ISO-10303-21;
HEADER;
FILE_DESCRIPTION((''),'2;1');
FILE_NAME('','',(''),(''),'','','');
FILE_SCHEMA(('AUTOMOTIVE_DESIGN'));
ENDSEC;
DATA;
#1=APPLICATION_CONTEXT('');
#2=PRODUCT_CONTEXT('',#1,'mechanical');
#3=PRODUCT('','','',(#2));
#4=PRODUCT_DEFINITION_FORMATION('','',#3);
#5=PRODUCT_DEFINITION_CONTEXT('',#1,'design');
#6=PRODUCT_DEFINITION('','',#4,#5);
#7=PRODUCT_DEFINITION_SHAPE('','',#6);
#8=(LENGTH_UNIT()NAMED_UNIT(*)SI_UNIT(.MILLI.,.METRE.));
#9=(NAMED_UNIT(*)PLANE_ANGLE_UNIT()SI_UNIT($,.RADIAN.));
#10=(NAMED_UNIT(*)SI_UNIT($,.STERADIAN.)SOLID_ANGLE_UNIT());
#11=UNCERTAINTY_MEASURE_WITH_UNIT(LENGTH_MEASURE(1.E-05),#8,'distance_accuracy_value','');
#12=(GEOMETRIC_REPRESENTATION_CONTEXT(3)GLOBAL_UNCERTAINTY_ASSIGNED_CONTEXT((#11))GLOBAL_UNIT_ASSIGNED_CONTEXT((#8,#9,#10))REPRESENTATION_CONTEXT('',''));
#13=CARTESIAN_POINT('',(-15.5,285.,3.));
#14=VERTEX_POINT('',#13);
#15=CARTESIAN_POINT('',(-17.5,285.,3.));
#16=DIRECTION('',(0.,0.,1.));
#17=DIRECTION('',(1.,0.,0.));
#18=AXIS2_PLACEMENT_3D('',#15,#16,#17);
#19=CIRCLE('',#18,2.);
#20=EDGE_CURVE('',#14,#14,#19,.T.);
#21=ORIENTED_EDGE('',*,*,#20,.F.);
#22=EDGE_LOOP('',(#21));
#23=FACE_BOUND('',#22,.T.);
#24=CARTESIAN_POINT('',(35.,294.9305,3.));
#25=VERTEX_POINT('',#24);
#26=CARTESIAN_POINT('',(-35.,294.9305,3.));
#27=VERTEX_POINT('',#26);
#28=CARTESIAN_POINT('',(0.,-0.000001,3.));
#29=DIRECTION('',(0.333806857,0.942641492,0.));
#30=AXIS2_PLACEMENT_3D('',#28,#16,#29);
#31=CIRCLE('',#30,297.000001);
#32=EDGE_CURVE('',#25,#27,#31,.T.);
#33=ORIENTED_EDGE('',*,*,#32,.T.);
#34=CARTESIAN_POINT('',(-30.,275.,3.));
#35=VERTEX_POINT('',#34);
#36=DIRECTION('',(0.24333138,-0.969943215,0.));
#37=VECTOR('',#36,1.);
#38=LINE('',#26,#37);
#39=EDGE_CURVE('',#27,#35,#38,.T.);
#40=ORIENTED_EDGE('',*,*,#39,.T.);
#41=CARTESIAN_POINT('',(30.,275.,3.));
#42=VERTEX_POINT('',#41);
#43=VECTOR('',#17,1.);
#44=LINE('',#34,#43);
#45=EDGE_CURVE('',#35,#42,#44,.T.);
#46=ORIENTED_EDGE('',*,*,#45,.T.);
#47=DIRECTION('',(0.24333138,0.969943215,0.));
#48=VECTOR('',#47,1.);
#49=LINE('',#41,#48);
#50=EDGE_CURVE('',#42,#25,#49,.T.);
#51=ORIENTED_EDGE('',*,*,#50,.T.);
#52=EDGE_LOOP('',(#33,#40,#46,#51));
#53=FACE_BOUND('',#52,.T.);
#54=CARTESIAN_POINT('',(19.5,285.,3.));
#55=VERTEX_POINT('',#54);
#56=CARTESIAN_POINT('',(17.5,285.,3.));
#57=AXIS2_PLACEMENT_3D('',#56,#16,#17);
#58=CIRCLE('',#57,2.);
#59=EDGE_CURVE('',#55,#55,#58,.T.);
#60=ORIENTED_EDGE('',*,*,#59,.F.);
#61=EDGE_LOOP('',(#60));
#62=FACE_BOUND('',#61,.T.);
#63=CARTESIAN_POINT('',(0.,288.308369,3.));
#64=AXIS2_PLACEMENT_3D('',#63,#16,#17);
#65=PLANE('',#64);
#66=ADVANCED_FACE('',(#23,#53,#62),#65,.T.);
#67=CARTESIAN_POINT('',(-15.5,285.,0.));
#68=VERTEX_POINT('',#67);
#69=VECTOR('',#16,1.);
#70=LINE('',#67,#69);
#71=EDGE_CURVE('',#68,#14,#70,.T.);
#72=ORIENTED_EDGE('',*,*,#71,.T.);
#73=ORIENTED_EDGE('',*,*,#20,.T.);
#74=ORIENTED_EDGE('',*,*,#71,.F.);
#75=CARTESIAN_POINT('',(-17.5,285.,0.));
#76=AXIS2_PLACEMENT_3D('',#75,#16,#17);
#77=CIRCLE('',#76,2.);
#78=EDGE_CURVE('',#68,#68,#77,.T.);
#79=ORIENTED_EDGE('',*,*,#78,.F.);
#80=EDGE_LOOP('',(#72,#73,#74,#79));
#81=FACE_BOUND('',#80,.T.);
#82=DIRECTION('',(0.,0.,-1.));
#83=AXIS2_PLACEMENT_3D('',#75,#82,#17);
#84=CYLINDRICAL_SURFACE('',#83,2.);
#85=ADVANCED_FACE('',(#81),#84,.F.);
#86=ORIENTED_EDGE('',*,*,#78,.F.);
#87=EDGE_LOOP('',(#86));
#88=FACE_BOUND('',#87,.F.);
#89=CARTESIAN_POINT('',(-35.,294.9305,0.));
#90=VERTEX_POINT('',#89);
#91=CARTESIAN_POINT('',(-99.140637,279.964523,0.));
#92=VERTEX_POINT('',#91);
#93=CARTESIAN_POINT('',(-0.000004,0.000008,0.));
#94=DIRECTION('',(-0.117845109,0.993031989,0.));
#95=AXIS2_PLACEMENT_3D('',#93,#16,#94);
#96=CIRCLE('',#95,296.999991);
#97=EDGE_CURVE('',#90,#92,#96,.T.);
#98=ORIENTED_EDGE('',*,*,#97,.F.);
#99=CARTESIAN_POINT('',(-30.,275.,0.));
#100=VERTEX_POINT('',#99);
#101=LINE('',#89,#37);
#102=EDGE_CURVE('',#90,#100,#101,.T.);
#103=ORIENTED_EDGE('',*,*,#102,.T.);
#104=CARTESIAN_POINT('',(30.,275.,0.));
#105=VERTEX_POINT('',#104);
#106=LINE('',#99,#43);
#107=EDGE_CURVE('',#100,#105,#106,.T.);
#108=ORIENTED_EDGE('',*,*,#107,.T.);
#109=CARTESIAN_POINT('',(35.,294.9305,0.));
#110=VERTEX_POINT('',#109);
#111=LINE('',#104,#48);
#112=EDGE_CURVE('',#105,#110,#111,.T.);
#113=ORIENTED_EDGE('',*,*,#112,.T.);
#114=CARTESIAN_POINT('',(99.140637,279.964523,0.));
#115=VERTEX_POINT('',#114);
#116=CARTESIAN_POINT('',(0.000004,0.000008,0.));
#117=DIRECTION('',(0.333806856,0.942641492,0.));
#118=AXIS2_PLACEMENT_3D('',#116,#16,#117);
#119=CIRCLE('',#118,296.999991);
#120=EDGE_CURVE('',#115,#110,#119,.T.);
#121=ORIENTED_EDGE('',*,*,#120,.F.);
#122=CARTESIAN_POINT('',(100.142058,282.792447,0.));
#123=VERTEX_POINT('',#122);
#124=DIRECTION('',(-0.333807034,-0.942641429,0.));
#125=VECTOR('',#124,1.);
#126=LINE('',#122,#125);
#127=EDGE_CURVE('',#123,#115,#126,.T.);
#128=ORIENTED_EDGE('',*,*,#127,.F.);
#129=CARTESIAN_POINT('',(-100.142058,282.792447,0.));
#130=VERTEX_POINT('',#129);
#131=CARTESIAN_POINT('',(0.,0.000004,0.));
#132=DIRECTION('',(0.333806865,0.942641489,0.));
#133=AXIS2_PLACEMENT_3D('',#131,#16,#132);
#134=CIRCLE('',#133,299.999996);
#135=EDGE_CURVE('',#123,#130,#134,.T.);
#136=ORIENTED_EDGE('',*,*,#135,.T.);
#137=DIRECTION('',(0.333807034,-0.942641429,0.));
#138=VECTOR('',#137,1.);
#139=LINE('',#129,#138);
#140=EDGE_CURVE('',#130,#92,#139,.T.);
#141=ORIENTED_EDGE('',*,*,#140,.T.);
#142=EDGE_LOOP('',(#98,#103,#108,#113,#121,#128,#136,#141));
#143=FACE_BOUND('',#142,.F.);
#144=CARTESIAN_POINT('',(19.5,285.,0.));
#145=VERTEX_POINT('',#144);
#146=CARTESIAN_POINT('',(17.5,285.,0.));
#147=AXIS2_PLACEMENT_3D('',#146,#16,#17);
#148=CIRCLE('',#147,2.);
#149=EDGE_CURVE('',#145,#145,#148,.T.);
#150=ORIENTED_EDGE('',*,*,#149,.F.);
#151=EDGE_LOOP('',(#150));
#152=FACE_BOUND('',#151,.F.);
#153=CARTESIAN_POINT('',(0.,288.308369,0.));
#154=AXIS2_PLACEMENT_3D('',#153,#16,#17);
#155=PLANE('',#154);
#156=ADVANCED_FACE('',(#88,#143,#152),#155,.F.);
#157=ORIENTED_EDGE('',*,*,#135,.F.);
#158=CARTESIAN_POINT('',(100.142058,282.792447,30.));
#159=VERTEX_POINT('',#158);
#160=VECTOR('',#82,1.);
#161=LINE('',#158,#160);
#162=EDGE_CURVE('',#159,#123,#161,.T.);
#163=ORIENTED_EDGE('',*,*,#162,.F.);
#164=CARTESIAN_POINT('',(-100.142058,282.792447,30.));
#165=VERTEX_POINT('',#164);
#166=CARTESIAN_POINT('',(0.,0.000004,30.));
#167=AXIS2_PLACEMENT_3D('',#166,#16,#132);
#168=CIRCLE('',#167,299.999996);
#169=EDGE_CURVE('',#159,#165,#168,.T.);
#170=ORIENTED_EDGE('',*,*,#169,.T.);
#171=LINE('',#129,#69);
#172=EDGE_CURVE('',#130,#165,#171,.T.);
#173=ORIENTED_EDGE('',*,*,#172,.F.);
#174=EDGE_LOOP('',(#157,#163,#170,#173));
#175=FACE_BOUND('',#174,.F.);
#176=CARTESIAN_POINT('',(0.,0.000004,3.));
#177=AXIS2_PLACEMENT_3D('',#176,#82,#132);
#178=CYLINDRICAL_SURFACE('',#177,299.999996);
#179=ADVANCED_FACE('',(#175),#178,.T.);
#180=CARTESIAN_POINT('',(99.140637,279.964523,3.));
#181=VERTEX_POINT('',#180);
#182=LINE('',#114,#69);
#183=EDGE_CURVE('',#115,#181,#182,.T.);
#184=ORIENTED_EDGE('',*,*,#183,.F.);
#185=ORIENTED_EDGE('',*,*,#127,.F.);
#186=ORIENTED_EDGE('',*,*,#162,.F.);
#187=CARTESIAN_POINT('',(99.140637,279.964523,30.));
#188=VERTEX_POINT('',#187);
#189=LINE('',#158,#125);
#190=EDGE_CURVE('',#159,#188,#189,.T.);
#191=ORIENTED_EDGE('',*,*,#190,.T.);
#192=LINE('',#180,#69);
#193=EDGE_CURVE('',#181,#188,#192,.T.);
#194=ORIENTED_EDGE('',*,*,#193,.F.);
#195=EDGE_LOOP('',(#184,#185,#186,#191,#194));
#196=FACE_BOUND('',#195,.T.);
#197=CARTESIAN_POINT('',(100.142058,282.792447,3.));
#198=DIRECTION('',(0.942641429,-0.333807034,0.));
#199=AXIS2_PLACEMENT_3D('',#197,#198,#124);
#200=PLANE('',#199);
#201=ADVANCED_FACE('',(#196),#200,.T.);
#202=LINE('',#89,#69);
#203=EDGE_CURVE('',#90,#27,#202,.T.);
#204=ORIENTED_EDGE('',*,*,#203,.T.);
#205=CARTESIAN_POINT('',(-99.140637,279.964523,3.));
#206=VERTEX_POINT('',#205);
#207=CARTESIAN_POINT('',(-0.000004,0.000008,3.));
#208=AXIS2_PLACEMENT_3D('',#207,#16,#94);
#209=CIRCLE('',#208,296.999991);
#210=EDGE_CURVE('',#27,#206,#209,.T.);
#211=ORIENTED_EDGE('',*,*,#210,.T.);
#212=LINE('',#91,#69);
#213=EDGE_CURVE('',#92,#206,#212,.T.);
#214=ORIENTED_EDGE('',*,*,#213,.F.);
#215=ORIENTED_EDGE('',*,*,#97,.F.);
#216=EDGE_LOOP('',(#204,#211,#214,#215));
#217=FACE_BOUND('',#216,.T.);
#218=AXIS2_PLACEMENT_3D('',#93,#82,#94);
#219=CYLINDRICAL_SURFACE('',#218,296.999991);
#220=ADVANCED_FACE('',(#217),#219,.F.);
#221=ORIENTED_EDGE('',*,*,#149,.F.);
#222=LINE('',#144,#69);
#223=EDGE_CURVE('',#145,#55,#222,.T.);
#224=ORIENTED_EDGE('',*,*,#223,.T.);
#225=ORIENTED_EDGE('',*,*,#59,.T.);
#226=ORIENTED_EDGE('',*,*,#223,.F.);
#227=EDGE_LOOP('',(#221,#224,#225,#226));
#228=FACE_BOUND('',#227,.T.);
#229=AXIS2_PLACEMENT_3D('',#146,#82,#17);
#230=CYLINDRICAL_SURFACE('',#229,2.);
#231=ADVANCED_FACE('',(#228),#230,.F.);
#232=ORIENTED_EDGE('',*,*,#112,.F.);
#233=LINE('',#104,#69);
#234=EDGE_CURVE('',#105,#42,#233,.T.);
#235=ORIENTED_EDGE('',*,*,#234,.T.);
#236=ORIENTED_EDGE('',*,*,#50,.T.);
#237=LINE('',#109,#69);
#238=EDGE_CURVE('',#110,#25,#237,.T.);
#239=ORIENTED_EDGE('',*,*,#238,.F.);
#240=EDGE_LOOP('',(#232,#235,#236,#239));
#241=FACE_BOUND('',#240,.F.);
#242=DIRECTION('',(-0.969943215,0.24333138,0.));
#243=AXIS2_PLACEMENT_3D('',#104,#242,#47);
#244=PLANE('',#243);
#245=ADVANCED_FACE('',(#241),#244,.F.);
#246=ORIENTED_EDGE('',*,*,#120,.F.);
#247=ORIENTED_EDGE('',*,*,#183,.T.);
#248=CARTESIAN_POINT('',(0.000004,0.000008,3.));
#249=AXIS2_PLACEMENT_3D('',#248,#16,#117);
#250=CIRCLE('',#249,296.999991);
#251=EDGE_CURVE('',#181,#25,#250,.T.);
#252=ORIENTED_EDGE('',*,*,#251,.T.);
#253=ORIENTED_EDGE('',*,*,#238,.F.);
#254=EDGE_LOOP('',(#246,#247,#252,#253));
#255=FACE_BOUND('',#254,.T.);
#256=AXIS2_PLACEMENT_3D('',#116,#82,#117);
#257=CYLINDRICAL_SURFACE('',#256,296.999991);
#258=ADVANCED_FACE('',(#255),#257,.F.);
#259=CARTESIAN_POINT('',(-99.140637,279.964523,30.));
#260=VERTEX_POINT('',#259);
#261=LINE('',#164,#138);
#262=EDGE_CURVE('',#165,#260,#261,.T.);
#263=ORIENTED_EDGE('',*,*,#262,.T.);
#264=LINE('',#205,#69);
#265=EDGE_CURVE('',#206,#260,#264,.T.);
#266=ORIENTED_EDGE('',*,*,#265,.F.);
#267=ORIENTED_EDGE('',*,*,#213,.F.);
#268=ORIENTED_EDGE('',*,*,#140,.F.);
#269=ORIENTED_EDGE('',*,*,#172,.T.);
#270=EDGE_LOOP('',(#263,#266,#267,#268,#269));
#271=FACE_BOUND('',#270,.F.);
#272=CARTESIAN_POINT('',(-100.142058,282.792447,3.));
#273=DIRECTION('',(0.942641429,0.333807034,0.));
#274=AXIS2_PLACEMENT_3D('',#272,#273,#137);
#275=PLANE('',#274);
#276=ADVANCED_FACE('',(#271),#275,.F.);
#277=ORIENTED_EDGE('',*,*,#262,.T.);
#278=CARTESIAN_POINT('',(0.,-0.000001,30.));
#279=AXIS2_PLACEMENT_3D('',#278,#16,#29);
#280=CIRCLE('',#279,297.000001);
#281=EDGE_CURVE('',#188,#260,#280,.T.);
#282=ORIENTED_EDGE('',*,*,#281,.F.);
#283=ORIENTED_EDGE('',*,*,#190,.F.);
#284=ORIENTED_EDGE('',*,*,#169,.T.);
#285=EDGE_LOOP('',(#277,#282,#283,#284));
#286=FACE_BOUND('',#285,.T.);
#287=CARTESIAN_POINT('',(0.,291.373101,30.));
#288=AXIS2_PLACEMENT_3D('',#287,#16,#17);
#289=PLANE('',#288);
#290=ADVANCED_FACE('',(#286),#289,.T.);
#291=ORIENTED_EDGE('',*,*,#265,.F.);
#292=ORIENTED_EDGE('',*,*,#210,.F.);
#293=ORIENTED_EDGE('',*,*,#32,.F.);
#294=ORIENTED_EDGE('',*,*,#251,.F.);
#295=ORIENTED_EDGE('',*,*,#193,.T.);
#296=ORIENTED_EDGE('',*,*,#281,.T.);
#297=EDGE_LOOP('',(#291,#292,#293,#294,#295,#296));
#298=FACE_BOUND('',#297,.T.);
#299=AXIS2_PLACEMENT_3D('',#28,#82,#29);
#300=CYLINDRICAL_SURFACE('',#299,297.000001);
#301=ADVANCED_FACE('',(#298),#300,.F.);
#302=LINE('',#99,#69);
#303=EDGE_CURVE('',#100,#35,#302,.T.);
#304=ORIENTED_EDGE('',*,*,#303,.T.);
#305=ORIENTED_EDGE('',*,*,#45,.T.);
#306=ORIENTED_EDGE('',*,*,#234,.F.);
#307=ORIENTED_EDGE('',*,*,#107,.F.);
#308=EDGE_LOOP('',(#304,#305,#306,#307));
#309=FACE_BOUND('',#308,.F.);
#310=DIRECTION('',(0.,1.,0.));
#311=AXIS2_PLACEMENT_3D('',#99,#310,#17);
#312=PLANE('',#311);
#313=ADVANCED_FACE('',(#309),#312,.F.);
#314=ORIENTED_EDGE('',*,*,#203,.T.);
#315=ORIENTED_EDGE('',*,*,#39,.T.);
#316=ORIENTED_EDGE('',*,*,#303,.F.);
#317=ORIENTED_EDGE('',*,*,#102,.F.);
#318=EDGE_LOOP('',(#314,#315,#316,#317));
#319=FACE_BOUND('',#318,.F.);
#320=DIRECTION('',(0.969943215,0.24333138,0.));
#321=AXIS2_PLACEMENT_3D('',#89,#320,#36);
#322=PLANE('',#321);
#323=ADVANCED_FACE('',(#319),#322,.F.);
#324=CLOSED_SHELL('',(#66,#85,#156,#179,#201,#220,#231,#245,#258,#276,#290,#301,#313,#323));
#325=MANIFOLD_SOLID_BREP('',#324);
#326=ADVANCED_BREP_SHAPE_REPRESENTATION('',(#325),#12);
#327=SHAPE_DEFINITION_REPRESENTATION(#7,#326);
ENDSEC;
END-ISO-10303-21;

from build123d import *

# Parameters (mm, degrees)
SKETCH_R     = 2
PAD_DEPTH    = 3
PAD001_DEPTH = 27


with BuildPart() as part:
    # Sketch → Pad (new body)
    with BuildSketch(Plane.XY):
        with BuildLine():
            ThreePointArc((100.142058, 282.792447), (0, 300), (-100.142058, 282.792447))
            Line((-100.142058, 282.792447), (-99.140637, 279.964523))
            ThreePointArc((-35, 294.9305), (-67.486464, 289.23101), (-99.140637, 279.964523))
            Line((-35, 294.9305), (-30, 275))
            Line((-30, 275), (30, 275))
            Line((30, 275), (35, 294.9305))
            ThreePointArc((99.140637, 279.964523), (67.486464, 289.23101), (35, 294.9305))
            Line((100.142058, 282.792447), (99.140637, 279.964523))
        make_face()
        with Locations((-17.5, 285)):
            Circle(SKETCH_R, mode=Mode.SUBTRACT)
        with Locations((17.5, 285)):
            Circle(SKETCH_R, mode=Mode.SUBTRACT)
    extrude(amount=PAD_DEPTH)

    # Sketch001 (on Face12 of Pad) → Pad001 (join)
    with BuildSketch(Plane.XY.offset(3)):
        with BuildLine():
            ThreePointArc((100.142058, 282.792447), (0, 300), (-100.142058, 282.792447))
            Line((-100.142058, 282.792447), (-99.140637, 279.964523))
            ThreePointArc((99.140637, 279.964523), (0, 297), (-99.140637, 279.964523))
            Line((100.142058, 282.792447), (99.140637, 279.964523))
        make_face()
    extrude(amount=PAD001_DEPTH)


solid = part.part
